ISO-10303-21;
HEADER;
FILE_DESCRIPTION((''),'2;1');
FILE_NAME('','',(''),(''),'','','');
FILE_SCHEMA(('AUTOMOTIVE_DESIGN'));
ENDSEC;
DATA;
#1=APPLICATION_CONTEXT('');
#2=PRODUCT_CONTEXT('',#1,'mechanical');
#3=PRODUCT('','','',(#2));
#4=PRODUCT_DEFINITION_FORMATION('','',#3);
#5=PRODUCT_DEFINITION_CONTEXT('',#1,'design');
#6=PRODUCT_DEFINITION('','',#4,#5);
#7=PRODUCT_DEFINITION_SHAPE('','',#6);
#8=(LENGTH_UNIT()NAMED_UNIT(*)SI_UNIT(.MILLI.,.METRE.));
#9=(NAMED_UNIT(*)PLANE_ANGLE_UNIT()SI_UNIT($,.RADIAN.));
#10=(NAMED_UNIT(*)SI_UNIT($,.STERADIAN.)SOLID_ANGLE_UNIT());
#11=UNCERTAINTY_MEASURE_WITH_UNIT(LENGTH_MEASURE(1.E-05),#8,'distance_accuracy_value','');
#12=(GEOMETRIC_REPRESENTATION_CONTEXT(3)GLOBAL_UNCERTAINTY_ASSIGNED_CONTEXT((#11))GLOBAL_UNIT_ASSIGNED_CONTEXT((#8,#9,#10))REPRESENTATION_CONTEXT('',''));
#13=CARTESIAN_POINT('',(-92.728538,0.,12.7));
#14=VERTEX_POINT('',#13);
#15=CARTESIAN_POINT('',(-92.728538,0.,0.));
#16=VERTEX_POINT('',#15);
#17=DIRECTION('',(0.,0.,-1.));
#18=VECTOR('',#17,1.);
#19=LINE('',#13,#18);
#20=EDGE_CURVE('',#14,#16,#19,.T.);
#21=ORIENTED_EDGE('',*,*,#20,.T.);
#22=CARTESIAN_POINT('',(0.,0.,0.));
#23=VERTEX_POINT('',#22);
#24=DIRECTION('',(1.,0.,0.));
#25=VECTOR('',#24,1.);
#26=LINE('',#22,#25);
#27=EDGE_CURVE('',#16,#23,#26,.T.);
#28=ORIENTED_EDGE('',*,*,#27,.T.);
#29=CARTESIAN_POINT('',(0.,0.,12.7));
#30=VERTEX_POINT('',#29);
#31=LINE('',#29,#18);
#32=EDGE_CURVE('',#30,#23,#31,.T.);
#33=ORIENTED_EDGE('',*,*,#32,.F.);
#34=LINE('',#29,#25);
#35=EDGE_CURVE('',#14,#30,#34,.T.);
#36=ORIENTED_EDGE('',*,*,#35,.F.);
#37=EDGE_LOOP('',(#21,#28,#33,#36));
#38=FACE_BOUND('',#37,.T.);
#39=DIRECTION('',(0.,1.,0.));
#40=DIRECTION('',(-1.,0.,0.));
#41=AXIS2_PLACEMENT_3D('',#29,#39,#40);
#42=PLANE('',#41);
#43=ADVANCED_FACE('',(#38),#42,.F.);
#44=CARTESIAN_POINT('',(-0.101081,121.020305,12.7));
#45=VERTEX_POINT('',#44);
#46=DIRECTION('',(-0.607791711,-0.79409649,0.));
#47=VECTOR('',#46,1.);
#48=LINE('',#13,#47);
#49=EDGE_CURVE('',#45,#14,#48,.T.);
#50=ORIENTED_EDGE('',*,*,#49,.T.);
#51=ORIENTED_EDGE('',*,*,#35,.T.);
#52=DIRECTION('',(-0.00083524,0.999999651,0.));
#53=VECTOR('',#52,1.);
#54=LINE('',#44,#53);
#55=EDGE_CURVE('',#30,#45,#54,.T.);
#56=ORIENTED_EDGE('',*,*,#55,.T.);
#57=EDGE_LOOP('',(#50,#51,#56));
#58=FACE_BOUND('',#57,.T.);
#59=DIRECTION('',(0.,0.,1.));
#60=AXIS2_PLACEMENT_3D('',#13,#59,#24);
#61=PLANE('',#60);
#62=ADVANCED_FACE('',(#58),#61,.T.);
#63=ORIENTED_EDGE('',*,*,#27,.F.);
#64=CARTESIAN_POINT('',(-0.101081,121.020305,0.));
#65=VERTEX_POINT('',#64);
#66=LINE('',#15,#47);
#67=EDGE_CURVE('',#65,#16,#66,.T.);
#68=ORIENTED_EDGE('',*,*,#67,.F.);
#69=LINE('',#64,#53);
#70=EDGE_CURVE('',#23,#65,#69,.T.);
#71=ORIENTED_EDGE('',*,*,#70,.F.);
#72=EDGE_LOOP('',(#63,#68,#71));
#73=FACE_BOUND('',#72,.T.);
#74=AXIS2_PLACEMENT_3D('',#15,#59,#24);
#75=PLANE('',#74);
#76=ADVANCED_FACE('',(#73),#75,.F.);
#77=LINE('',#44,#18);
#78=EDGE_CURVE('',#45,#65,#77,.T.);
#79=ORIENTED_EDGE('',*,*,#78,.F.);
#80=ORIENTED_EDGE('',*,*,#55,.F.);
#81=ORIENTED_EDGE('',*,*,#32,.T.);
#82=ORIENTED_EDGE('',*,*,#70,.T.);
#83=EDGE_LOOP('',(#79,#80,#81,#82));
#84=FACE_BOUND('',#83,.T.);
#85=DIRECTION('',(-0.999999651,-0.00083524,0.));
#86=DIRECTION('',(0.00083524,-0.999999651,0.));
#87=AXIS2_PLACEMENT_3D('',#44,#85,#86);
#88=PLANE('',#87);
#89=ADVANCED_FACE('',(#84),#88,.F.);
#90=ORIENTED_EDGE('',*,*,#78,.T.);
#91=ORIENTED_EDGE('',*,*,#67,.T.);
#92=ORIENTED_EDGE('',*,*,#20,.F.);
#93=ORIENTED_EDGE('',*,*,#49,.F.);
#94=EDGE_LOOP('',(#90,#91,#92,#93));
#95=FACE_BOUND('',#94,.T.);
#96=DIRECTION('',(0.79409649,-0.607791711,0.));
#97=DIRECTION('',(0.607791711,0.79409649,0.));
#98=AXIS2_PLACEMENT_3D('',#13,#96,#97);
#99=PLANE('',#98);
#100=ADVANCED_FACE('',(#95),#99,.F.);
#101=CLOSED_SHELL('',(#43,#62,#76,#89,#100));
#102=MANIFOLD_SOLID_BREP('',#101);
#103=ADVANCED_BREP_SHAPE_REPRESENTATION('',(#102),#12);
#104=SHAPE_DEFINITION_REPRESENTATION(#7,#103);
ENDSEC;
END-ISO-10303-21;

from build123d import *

# Parameters (mm, degrees)
EXTRUDE1_DEPTH = 12.7


with BuildPart() as part:
    # Sketch1 → Extrude1 (new body)
    with BuildSketch(Plane.XY):
        Polygon((-0.101081025, 121.020305138), (0, 0), (-92.728537777, 0), align=None)
    extrude(amount=EXTRUDE1_DEPTH)


solid = part.part
